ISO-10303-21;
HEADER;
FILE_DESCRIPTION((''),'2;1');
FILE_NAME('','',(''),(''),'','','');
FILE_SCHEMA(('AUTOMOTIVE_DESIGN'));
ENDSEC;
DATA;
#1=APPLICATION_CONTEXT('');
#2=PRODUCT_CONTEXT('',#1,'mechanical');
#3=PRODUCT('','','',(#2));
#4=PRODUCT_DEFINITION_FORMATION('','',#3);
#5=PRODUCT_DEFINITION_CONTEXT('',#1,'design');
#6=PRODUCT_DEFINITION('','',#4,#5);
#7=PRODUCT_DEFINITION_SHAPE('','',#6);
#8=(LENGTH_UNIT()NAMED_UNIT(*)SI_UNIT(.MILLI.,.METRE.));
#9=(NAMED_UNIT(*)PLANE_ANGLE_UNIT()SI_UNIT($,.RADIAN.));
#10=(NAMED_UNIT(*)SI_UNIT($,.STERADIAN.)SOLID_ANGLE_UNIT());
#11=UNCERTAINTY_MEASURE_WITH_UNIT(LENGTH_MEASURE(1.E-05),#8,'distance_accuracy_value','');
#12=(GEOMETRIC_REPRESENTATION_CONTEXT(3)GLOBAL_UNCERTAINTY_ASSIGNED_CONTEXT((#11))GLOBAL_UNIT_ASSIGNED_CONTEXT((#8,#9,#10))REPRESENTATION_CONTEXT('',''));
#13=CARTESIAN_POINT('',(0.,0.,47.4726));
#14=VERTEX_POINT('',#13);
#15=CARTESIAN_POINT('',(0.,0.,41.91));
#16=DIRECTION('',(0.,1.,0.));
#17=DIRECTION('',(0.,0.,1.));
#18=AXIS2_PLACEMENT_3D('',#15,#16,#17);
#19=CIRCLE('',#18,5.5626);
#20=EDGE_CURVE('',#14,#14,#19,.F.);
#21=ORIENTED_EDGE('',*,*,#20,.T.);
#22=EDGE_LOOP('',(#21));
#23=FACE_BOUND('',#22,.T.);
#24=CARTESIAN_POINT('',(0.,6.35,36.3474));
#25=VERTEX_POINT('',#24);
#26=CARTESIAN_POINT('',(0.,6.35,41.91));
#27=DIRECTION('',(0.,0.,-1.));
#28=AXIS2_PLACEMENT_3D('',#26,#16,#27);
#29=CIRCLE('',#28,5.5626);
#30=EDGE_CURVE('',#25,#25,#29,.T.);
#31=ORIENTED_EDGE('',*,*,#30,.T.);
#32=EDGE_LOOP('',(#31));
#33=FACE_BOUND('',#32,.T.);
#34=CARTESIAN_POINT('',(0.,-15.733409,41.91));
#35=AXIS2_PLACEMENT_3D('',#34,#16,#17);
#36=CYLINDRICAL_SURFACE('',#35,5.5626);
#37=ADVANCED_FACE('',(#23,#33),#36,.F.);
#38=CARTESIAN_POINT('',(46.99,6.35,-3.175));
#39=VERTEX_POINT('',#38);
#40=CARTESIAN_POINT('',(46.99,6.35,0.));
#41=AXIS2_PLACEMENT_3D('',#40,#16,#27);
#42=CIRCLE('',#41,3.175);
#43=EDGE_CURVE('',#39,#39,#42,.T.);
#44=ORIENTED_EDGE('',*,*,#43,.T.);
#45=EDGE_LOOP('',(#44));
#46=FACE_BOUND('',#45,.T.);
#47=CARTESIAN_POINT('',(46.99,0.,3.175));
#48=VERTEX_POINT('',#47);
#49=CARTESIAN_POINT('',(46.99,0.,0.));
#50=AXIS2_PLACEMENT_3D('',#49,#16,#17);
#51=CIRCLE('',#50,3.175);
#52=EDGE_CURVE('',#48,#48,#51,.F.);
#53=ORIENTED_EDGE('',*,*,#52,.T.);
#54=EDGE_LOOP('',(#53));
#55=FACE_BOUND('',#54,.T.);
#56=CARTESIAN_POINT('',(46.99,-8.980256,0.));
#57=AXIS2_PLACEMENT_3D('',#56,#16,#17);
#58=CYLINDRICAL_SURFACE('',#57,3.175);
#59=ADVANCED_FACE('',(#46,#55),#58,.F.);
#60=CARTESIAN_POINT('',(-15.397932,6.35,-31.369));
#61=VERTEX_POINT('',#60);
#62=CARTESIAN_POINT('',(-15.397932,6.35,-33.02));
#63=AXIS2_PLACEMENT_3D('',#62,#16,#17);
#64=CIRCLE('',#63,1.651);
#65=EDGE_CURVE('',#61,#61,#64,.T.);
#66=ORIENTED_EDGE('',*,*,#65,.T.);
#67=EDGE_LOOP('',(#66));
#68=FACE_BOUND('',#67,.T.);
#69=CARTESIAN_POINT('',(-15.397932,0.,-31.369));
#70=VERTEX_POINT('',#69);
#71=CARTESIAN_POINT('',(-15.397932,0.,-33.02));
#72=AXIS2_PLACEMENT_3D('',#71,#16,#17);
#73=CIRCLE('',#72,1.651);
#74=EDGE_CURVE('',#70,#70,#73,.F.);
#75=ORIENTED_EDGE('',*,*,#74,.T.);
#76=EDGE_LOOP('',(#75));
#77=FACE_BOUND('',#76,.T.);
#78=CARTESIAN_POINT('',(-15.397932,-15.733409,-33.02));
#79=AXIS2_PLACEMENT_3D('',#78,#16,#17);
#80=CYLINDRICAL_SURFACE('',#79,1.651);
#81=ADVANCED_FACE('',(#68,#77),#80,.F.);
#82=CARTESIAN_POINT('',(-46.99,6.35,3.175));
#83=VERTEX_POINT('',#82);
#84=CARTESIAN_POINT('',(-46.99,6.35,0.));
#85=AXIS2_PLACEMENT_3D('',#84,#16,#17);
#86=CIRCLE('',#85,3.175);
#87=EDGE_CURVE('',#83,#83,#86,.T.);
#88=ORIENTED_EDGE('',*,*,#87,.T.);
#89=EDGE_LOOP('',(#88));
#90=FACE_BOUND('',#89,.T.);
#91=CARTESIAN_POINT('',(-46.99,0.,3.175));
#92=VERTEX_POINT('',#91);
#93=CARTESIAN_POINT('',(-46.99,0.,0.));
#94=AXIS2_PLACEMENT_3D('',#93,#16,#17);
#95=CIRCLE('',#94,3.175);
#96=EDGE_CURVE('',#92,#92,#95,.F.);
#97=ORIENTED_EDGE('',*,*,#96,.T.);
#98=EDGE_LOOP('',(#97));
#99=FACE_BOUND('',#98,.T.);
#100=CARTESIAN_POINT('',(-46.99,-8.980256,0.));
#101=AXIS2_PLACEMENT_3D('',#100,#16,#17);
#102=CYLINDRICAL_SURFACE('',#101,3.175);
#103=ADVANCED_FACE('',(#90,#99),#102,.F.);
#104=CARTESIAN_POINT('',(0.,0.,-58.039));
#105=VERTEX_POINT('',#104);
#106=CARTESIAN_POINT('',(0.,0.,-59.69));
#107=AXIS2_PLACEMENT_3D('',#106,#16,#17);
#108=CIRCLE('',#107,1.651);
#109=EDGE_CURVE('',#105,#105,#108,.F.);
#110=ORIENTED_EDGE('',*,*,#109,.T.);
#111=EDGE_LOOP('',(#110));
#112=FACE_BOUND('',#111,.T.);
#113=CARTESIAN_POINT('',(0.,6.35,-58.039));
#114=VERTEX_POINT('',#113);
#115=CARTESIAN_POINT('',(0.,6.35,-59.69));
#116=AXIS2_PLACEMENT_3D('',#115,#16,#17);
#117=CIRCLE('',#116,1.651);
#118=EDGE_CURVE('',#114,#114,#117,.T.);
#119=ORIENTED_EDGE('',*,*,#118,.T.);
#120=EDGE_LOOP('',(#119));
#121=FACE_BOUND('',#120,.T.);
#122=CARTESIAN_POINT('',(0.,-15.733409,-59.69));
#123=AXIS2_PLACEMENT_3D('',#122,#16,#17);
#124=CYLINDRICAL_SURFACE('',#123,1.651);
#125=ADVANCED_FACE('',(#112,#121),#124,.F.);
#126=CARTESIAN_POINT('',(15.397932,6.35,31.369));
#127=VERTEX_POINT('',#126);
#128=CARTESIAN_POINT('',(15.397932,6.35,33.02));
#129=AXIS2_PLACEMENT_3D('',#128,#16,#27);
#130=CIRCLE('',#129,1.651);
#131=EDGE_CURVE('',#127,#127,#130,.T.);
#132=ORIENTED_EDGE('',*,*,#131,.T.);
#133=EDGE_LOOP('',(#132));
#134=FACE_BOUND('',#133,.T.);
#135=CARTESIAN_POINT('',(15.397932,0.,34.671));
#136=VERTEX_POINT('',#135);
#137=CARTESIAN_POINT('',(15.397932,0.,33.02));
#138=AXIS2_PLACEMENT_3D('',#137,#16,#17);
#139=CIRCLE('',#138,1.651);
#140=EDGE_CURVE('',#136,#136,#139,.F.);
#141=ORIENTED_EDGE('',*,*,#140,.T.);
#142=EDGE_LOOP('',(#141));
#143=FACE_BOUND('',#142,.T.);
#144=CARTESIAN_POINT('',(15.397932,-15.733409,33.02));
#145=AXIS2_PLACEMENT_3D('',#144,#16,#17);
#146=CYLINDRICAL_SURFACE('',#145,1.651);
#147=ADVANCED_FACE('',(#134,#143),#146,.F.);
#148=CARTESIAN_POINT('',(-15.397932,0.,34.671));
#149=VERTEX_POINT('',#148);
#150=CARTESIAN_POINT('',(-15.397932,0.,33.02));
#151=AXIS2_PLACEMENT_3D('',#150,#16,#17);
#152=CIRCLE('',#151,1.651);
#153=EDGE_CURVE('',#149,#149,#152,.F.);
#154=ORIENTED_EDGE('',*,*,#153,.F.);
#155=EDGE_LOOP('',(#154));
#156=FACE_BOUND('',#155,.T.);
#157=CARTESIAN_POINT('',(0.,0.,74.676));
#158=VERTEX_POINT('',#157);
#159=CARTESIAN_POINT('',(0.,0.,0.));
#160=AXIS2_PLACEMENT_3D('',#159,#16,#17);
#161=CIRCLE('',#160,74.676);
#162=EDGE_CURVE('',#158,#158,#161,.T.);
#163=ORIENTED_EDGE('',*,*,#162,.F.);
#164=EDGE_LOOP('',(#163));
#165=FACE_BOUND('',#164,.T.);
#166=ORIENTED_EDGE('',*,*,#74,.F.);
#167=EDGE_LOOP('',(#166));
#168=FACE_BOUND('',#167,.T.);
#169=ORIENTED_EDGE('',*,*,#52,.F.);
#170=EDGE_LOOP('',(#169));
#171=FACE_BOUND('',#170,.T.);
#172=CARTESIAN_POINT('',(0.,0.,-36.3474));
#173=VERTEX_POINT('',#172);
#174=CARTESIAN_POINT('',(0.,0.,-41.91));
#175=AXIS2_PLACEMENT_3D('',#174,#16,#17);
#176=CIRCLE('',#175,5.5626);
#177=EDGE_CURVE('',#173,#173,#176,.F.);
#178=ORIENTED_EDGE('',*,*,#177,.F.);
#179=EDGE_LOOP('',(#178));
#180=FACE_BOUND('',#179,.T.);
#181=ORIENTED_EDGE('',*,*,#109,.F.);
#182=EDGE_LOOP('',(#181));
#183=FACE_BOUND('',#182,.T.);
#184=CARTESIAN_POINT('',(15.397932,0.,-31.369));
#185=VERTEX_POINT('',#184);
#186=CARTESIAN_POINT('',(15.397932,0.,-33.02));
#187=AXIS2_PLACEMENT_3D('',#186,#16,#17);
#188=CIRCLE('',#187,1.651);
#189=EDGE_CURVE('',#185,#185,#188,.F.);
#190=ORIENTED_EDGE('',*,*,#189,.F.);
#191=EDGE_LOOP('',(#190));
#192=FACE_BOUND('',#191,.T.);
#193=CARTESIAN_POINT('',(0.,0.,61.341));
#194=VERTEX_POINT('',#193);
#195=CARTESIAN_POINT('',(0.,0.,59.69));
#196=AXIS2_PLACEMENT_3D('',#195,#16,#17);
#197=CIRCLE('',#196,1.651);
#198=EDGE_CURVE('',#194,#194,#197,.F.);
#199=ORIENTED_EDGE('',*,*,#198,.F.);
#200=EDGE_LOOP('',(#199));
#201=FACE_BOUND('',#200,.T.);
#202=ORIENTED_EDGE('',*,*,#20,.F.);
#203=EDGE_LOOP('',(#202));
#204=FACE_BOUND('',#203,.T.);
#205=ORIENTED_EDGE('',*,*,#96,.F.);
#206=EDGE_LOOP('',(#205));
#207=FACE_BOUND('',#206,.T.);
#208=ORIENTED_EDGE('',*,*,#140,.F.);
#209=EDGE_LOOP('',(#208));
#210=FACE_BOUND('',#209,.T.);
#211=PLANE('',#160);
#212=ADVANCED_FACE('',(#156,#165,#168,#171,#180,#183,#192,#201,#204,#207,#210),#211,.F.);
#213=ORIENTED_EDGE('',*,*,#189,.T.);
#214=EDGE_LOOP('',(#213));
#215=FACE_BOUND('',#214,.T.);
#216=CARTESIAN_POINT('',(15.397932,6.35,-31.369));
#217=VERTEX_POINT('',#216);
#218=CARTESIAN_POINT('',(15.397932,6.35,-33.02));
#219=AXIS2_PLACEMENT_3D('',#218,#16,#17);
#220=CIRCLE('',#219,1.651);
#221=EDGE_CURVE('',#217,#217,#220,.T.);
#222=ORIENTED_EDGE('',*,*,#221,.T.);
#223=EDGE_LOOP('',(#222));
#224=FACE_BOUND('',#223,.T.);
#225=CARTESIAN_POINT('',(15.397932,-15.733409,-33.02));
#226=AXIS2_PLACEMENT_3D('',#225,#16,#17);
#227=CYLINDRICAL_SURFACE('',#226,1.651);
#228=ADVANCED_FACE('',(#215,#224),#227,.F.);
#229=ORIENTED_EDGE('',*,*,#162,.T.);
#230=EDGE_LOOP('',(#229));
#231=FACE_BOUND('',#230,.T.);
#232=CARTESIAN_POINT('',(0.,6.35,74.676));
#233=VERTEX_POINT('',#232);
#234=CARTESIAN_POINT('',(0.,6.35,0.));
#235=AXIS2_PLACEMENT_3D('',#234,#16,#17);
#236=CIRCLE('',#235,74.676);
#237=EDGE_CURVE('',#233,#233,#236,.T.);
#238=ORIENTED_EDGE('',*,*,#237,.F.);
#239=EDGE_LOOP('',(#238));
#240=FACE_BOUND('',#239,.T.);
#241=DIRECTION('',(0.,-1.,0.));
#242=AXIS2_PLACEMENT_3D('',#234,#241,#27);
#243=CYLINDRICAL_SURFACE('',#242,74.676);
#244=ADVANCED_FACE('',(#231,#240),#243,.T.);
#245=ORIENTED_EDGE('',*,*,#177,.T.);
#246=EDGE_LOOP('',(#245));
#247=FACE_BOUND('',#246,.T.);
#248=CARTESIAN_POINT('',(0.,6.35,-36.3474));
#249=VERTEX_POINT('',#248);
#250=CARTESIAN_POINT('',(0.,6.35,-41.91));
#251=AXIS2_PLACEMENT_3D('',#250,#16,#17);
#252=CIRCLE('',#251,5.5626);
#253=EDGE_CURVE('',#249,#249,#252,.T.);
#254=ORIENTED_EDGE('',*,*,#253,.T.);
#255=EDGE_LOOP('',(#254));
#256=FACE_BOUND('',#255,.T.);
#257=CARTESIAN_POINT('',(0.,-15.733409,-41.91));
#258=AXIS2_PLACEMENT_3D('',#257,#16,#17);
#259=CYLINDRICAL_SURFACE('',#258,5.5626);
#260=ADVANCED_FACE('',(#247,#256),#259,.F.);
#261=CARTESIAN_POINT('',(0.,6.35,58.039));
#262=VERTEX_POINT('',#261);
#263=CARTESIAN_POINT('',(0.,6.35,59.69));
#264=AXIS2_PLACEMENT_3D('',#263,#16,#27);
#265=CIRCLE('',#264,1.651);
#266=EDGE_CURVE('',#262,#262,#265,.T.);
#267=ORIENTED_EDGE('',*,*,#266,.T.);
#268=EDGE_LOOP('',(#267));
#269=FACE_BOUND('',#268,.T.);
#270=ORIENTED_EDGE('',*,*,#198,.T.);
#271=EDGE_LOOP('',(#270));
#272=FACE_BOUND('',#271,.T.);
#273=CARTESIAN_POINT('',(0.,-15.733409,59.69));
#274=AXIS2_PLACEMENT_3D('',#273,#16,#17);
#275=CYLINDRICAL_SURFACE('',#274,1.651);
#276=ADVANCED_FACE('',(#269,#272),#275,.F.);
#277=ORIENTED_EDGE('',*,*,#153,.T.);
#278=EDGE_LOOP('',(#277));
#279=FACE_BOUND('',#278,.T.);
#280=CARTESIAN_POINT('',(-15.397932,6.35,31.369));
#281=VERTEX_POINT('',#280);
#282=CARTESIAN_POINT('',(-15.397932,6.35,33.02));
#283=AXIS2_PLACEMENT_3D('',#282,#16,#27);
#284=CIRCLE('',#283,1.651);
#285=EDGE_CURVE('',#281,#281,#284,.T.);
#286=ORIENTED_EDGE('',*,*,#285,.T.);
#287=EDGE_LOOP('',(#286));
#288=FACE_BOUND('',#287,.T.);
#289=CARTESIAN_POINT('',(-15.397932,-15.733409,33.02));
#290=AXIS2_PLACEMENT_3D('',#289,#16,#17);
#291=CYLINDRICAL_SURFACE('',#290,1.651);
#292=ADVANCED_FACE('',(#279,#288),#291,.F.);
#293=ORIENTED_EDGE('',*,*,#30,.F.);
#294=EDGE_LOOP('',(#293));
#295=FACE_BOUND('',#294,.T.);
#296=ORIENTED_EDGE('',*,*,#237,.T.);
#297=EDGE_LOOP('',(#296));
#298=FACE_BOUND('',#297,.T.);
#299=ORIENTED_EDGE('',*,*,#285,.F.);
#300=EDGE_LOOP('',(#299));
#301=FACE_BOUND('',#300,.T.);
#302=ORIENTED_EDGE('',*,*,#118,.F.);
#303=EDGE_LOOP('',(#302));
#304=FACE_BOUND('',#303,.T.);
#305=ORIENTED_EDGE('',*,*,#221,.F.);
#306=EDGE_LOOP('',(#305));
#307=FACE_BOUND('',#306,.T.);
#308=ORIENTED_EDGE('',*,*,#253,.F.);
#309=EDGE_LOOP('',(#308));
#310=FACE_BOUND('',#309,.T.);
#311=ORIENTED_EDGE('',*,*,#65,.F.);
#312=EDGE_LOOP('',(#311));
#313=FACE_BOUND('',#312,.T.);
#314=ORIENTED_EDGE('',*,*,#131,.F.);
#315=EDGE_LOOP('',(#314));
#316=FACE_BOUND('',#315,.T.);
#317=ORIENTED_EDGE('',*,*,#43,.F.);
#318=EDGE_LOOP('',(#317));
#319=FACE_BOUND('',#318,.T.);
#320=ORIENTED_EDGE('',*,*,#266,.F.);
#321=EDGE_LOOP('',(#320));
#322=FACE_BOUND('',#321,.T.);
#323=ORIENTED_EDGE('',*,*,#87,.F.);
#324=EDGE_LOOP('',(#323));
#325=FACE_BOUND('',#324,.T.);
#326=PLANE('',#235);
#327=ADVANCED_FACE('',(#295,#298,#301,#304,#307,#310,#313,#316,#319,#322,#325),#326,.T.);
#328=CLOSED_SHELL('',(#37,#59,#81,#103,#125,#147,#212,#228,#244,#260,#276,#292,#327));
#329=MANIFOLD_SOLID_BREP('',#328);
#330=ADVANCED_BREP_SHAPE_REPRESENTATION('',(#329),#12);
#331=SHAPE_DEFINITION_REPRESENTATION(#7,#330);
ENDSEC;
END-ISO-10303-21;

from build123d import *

# Parameters (mm, degrees)
SKETCH1_R                  = 74.676
BOSS_EXTRUDE1_DEPTH        = 6.35
SKETCH2_R                  = 1.651
SKETCH2_R_2                = 5.5626
CO2EJEC_FLANGE_HOLES_DEPTH = 6.35
SKETCH3_R                  = 3.175
F_1_4_HOLES_DEPTH          = 6.35


with BuildPart() as part:
    # Sketch1 → Boss-Extrude1 (new body)
    with BuildSketch(Plane(origin=(0, 0, 0), x_dir=(1, 0, 0), z_dir=(0, 1, 0))):
        Circle(SKETCH1_R)
    extrude(amount=BOSS_EXTRUDE1_DEPTH)

    # Sketch2 → CO2Ejec_Flange_Holes (cut)
    with BuildSketch(Plane(origin=(0, 6.35, 0), x_dir=(1, 0, 0), z_dir=(0, 1, 0))):
        with Locations((15.397931679, 33.02)):
            Circle(SKETCH2_R)
        with Locations((0, 41.91)):
            Circle(SKETCH2_R_2)
        with Locations((0, 59.69)):
            Circle(SKETCH2_R)
        with Locations((-15.397931679, 33.02)):
            Circle(SKETCH2_R)
        with Locations((0, -59.69)):
            Circle(SKETCH2_R)
        with Locations((-15.397931679, -33.02)):
            Circle(SKETCH2_R)
        with Locations((0, -41.91)):
            Circle(SKETCH2_R_2)
        with Locations((15.397931679, -33.02)):
            Circle(SKETCH2_R)
    extrude(amount=-CO2EJEC_FLANGE_HOLES_DEPTH, mode=Mode.SUBTRACT)

    # Sketch3 → 1/4 Holes (cut)
    with BuildSketch(Plane(origin=(0, 6.35, 0), x_dir=(1, 0, 0), z_dir=(0, 1, 0))):
        with Locations((-46.99, 0)):
            Circle(SKETCH3_R)
        with Locations((46.99, 0)):
            Circle(SKETCH3_R)
    extrude(amount=-F_1_4_HOLES_DEPTH, mode=Mode.SUBTRACT)


solid = part.part
